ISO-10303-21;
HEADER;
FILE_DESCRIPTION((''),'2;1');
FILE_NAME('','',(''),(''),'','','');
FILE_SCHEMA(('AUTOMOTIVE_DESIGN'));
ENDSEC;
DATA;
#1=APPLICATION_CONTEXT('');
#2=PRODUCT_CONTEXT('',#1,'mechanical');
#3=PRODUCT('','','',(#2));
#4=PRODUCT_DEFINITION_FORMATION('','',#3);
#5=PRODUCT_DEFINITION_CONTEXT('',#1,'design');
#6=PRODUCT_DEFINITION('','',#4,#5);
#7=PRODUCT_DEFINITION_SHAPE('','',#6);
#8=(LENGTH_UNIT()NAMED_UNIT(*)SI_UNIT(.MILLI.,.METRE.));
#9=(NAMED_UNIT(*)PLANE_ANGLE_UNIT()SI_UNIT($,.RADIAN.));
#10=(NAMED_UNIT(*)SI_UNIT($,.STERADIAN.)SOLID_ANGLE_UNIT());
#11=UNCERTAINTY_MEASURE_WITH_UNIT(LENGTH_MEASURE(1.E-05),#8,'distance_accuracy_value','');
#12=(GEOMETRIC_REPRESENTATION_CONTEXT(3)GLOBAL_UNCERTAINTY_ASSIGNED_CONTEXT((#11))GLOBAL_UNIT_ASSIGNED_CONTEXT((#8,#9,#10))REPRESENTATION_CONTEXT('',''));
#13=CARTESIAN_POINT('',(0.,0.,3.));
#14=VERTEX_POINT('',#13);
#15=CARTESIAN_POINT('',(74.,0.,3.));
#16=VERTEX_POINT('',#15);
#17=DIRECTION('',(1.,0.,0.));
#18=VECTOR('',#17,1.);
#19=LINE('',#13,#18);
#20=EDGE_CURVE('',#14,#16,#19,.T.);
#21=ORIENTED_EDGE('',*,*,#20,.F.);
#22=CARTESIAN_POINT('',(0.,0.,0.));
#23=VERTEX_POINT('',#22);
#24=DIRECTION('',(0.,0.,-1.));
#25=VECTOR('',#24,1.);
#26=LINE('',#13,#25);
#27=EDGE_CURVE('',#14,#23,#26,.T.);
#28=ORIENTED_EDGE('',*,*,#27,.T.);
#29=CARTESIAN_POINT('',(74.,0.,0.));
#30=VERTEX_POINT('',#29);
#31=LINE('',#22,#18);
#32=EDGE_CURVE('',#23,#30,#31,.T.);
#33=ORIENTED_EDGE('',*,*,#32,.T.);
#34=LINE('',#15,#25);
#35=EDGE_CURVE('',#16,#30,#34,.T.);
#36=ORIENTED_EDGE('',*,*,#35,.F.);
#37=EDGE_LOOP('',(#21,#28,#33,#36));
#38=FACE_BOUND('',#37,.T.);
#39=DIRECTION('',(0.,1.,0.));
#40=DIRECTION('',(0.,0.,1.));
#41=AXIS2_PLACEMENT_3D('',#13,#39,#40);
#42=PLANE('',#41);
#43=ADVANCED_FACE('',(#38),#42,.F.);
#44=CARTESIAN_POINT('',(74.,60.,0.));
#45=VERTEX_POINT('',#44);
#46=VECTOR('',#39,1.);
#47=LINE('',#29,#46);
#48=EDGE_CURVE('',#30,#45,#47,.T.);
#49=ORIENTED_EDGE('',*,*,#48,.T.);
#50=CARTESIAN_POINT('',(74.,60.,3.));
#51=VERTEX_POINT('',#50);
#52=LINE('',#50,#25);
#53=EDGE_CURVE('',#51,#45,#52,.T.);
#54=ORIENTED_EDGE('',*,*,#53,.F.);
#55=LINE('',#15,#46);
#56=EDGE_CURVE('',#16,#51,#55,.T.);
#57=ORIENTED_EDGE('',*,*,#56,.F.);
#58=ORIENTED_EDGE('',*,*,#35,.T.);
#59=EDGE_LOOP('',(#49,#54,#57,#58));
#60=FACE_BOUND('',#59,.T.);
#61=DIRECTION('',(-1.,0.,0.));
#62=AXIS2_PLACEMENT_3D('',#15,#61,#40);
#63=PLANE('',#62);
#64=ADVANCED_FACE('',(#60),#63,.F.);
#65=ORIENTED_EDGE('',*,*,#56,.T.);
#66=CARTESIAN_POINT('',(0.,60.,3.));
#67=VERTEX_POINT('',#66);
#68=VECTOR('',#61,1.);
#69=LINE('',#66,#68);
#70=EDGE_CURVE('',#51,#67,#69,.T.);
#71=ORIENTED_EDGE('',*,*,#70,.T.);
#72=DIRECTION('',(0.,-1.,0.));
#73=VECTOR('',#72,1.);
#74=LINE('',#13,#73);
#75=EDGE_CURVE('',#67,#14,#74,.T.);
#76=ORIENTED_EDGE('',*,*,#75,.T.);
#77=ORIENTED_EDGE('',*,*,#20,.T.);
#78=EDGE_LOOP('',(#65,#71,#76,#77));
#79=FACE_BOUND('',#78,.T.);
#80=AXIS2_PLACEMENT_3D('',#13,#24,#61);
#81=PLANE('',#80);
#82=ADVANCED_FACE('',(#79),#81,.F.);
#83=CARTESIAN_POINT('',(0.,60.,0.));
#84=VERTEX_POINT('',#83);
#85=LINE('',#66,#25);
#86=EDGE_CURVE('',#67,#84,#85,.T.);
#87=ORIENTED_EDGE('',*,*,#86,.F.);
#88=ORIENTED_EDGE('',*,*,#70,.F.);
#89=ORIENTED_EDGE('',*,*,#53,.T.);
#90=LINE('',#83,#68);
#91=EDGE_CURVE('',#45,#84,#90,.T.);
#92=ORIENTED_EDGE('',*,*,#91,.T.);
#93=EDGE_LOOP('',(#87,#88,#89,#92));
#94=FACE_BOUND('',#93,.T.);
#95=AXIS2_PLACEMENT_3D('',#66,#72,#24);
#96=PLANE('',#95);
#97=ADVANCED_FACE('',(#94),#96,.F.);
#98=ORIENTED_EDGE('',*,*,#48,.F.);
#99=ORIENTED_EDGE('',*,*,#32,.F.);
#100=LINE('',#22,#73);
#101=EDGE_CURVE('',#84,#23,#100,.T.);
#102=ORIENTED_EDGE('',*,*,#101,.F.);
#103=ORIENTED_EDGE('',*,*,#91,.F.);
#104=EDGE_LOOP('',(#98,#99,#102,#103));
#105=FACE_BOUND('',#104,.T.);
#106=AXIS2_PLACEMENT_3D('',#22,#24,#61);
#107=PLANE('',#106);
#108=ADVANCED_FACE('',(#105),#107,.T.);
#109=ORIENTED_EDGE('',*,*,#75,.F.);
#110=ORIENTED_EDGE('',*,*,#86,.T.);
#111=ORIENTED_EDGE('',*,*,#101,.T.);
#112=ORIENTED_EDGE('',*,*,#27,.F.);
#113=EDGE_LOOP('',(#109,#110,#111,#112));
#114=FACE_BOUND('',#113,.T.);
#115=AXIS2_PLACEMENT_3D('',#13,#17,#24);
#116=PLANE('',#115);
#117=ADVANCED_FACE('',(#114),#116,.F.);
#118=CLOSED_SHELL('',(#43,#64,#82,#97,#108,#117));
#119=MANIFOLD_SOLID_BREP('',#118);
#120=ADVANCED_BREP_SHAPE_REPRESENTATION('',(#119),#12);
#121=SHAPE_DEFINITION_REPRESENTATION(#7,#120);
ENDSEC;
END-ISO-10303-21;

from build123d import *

# Parameters (mm, degrees)
ESQUISSE1_W        = 74
ESQUISSE1_H        = 60
BOSS_EXTRU_1_DEPTH = 3


with BuildPart() as part:
    # Esquisse1 → Boss.-Extru.1 (new body)
    with BuildSketch(Plane.XY):
        with Locations((37, 30)):
            Rectangle(ESQUISSE1_W, ESQUISSE1_H)
    extrude(amount=BOSS_EXTRU_1_DEPTH)


solid = part.part
